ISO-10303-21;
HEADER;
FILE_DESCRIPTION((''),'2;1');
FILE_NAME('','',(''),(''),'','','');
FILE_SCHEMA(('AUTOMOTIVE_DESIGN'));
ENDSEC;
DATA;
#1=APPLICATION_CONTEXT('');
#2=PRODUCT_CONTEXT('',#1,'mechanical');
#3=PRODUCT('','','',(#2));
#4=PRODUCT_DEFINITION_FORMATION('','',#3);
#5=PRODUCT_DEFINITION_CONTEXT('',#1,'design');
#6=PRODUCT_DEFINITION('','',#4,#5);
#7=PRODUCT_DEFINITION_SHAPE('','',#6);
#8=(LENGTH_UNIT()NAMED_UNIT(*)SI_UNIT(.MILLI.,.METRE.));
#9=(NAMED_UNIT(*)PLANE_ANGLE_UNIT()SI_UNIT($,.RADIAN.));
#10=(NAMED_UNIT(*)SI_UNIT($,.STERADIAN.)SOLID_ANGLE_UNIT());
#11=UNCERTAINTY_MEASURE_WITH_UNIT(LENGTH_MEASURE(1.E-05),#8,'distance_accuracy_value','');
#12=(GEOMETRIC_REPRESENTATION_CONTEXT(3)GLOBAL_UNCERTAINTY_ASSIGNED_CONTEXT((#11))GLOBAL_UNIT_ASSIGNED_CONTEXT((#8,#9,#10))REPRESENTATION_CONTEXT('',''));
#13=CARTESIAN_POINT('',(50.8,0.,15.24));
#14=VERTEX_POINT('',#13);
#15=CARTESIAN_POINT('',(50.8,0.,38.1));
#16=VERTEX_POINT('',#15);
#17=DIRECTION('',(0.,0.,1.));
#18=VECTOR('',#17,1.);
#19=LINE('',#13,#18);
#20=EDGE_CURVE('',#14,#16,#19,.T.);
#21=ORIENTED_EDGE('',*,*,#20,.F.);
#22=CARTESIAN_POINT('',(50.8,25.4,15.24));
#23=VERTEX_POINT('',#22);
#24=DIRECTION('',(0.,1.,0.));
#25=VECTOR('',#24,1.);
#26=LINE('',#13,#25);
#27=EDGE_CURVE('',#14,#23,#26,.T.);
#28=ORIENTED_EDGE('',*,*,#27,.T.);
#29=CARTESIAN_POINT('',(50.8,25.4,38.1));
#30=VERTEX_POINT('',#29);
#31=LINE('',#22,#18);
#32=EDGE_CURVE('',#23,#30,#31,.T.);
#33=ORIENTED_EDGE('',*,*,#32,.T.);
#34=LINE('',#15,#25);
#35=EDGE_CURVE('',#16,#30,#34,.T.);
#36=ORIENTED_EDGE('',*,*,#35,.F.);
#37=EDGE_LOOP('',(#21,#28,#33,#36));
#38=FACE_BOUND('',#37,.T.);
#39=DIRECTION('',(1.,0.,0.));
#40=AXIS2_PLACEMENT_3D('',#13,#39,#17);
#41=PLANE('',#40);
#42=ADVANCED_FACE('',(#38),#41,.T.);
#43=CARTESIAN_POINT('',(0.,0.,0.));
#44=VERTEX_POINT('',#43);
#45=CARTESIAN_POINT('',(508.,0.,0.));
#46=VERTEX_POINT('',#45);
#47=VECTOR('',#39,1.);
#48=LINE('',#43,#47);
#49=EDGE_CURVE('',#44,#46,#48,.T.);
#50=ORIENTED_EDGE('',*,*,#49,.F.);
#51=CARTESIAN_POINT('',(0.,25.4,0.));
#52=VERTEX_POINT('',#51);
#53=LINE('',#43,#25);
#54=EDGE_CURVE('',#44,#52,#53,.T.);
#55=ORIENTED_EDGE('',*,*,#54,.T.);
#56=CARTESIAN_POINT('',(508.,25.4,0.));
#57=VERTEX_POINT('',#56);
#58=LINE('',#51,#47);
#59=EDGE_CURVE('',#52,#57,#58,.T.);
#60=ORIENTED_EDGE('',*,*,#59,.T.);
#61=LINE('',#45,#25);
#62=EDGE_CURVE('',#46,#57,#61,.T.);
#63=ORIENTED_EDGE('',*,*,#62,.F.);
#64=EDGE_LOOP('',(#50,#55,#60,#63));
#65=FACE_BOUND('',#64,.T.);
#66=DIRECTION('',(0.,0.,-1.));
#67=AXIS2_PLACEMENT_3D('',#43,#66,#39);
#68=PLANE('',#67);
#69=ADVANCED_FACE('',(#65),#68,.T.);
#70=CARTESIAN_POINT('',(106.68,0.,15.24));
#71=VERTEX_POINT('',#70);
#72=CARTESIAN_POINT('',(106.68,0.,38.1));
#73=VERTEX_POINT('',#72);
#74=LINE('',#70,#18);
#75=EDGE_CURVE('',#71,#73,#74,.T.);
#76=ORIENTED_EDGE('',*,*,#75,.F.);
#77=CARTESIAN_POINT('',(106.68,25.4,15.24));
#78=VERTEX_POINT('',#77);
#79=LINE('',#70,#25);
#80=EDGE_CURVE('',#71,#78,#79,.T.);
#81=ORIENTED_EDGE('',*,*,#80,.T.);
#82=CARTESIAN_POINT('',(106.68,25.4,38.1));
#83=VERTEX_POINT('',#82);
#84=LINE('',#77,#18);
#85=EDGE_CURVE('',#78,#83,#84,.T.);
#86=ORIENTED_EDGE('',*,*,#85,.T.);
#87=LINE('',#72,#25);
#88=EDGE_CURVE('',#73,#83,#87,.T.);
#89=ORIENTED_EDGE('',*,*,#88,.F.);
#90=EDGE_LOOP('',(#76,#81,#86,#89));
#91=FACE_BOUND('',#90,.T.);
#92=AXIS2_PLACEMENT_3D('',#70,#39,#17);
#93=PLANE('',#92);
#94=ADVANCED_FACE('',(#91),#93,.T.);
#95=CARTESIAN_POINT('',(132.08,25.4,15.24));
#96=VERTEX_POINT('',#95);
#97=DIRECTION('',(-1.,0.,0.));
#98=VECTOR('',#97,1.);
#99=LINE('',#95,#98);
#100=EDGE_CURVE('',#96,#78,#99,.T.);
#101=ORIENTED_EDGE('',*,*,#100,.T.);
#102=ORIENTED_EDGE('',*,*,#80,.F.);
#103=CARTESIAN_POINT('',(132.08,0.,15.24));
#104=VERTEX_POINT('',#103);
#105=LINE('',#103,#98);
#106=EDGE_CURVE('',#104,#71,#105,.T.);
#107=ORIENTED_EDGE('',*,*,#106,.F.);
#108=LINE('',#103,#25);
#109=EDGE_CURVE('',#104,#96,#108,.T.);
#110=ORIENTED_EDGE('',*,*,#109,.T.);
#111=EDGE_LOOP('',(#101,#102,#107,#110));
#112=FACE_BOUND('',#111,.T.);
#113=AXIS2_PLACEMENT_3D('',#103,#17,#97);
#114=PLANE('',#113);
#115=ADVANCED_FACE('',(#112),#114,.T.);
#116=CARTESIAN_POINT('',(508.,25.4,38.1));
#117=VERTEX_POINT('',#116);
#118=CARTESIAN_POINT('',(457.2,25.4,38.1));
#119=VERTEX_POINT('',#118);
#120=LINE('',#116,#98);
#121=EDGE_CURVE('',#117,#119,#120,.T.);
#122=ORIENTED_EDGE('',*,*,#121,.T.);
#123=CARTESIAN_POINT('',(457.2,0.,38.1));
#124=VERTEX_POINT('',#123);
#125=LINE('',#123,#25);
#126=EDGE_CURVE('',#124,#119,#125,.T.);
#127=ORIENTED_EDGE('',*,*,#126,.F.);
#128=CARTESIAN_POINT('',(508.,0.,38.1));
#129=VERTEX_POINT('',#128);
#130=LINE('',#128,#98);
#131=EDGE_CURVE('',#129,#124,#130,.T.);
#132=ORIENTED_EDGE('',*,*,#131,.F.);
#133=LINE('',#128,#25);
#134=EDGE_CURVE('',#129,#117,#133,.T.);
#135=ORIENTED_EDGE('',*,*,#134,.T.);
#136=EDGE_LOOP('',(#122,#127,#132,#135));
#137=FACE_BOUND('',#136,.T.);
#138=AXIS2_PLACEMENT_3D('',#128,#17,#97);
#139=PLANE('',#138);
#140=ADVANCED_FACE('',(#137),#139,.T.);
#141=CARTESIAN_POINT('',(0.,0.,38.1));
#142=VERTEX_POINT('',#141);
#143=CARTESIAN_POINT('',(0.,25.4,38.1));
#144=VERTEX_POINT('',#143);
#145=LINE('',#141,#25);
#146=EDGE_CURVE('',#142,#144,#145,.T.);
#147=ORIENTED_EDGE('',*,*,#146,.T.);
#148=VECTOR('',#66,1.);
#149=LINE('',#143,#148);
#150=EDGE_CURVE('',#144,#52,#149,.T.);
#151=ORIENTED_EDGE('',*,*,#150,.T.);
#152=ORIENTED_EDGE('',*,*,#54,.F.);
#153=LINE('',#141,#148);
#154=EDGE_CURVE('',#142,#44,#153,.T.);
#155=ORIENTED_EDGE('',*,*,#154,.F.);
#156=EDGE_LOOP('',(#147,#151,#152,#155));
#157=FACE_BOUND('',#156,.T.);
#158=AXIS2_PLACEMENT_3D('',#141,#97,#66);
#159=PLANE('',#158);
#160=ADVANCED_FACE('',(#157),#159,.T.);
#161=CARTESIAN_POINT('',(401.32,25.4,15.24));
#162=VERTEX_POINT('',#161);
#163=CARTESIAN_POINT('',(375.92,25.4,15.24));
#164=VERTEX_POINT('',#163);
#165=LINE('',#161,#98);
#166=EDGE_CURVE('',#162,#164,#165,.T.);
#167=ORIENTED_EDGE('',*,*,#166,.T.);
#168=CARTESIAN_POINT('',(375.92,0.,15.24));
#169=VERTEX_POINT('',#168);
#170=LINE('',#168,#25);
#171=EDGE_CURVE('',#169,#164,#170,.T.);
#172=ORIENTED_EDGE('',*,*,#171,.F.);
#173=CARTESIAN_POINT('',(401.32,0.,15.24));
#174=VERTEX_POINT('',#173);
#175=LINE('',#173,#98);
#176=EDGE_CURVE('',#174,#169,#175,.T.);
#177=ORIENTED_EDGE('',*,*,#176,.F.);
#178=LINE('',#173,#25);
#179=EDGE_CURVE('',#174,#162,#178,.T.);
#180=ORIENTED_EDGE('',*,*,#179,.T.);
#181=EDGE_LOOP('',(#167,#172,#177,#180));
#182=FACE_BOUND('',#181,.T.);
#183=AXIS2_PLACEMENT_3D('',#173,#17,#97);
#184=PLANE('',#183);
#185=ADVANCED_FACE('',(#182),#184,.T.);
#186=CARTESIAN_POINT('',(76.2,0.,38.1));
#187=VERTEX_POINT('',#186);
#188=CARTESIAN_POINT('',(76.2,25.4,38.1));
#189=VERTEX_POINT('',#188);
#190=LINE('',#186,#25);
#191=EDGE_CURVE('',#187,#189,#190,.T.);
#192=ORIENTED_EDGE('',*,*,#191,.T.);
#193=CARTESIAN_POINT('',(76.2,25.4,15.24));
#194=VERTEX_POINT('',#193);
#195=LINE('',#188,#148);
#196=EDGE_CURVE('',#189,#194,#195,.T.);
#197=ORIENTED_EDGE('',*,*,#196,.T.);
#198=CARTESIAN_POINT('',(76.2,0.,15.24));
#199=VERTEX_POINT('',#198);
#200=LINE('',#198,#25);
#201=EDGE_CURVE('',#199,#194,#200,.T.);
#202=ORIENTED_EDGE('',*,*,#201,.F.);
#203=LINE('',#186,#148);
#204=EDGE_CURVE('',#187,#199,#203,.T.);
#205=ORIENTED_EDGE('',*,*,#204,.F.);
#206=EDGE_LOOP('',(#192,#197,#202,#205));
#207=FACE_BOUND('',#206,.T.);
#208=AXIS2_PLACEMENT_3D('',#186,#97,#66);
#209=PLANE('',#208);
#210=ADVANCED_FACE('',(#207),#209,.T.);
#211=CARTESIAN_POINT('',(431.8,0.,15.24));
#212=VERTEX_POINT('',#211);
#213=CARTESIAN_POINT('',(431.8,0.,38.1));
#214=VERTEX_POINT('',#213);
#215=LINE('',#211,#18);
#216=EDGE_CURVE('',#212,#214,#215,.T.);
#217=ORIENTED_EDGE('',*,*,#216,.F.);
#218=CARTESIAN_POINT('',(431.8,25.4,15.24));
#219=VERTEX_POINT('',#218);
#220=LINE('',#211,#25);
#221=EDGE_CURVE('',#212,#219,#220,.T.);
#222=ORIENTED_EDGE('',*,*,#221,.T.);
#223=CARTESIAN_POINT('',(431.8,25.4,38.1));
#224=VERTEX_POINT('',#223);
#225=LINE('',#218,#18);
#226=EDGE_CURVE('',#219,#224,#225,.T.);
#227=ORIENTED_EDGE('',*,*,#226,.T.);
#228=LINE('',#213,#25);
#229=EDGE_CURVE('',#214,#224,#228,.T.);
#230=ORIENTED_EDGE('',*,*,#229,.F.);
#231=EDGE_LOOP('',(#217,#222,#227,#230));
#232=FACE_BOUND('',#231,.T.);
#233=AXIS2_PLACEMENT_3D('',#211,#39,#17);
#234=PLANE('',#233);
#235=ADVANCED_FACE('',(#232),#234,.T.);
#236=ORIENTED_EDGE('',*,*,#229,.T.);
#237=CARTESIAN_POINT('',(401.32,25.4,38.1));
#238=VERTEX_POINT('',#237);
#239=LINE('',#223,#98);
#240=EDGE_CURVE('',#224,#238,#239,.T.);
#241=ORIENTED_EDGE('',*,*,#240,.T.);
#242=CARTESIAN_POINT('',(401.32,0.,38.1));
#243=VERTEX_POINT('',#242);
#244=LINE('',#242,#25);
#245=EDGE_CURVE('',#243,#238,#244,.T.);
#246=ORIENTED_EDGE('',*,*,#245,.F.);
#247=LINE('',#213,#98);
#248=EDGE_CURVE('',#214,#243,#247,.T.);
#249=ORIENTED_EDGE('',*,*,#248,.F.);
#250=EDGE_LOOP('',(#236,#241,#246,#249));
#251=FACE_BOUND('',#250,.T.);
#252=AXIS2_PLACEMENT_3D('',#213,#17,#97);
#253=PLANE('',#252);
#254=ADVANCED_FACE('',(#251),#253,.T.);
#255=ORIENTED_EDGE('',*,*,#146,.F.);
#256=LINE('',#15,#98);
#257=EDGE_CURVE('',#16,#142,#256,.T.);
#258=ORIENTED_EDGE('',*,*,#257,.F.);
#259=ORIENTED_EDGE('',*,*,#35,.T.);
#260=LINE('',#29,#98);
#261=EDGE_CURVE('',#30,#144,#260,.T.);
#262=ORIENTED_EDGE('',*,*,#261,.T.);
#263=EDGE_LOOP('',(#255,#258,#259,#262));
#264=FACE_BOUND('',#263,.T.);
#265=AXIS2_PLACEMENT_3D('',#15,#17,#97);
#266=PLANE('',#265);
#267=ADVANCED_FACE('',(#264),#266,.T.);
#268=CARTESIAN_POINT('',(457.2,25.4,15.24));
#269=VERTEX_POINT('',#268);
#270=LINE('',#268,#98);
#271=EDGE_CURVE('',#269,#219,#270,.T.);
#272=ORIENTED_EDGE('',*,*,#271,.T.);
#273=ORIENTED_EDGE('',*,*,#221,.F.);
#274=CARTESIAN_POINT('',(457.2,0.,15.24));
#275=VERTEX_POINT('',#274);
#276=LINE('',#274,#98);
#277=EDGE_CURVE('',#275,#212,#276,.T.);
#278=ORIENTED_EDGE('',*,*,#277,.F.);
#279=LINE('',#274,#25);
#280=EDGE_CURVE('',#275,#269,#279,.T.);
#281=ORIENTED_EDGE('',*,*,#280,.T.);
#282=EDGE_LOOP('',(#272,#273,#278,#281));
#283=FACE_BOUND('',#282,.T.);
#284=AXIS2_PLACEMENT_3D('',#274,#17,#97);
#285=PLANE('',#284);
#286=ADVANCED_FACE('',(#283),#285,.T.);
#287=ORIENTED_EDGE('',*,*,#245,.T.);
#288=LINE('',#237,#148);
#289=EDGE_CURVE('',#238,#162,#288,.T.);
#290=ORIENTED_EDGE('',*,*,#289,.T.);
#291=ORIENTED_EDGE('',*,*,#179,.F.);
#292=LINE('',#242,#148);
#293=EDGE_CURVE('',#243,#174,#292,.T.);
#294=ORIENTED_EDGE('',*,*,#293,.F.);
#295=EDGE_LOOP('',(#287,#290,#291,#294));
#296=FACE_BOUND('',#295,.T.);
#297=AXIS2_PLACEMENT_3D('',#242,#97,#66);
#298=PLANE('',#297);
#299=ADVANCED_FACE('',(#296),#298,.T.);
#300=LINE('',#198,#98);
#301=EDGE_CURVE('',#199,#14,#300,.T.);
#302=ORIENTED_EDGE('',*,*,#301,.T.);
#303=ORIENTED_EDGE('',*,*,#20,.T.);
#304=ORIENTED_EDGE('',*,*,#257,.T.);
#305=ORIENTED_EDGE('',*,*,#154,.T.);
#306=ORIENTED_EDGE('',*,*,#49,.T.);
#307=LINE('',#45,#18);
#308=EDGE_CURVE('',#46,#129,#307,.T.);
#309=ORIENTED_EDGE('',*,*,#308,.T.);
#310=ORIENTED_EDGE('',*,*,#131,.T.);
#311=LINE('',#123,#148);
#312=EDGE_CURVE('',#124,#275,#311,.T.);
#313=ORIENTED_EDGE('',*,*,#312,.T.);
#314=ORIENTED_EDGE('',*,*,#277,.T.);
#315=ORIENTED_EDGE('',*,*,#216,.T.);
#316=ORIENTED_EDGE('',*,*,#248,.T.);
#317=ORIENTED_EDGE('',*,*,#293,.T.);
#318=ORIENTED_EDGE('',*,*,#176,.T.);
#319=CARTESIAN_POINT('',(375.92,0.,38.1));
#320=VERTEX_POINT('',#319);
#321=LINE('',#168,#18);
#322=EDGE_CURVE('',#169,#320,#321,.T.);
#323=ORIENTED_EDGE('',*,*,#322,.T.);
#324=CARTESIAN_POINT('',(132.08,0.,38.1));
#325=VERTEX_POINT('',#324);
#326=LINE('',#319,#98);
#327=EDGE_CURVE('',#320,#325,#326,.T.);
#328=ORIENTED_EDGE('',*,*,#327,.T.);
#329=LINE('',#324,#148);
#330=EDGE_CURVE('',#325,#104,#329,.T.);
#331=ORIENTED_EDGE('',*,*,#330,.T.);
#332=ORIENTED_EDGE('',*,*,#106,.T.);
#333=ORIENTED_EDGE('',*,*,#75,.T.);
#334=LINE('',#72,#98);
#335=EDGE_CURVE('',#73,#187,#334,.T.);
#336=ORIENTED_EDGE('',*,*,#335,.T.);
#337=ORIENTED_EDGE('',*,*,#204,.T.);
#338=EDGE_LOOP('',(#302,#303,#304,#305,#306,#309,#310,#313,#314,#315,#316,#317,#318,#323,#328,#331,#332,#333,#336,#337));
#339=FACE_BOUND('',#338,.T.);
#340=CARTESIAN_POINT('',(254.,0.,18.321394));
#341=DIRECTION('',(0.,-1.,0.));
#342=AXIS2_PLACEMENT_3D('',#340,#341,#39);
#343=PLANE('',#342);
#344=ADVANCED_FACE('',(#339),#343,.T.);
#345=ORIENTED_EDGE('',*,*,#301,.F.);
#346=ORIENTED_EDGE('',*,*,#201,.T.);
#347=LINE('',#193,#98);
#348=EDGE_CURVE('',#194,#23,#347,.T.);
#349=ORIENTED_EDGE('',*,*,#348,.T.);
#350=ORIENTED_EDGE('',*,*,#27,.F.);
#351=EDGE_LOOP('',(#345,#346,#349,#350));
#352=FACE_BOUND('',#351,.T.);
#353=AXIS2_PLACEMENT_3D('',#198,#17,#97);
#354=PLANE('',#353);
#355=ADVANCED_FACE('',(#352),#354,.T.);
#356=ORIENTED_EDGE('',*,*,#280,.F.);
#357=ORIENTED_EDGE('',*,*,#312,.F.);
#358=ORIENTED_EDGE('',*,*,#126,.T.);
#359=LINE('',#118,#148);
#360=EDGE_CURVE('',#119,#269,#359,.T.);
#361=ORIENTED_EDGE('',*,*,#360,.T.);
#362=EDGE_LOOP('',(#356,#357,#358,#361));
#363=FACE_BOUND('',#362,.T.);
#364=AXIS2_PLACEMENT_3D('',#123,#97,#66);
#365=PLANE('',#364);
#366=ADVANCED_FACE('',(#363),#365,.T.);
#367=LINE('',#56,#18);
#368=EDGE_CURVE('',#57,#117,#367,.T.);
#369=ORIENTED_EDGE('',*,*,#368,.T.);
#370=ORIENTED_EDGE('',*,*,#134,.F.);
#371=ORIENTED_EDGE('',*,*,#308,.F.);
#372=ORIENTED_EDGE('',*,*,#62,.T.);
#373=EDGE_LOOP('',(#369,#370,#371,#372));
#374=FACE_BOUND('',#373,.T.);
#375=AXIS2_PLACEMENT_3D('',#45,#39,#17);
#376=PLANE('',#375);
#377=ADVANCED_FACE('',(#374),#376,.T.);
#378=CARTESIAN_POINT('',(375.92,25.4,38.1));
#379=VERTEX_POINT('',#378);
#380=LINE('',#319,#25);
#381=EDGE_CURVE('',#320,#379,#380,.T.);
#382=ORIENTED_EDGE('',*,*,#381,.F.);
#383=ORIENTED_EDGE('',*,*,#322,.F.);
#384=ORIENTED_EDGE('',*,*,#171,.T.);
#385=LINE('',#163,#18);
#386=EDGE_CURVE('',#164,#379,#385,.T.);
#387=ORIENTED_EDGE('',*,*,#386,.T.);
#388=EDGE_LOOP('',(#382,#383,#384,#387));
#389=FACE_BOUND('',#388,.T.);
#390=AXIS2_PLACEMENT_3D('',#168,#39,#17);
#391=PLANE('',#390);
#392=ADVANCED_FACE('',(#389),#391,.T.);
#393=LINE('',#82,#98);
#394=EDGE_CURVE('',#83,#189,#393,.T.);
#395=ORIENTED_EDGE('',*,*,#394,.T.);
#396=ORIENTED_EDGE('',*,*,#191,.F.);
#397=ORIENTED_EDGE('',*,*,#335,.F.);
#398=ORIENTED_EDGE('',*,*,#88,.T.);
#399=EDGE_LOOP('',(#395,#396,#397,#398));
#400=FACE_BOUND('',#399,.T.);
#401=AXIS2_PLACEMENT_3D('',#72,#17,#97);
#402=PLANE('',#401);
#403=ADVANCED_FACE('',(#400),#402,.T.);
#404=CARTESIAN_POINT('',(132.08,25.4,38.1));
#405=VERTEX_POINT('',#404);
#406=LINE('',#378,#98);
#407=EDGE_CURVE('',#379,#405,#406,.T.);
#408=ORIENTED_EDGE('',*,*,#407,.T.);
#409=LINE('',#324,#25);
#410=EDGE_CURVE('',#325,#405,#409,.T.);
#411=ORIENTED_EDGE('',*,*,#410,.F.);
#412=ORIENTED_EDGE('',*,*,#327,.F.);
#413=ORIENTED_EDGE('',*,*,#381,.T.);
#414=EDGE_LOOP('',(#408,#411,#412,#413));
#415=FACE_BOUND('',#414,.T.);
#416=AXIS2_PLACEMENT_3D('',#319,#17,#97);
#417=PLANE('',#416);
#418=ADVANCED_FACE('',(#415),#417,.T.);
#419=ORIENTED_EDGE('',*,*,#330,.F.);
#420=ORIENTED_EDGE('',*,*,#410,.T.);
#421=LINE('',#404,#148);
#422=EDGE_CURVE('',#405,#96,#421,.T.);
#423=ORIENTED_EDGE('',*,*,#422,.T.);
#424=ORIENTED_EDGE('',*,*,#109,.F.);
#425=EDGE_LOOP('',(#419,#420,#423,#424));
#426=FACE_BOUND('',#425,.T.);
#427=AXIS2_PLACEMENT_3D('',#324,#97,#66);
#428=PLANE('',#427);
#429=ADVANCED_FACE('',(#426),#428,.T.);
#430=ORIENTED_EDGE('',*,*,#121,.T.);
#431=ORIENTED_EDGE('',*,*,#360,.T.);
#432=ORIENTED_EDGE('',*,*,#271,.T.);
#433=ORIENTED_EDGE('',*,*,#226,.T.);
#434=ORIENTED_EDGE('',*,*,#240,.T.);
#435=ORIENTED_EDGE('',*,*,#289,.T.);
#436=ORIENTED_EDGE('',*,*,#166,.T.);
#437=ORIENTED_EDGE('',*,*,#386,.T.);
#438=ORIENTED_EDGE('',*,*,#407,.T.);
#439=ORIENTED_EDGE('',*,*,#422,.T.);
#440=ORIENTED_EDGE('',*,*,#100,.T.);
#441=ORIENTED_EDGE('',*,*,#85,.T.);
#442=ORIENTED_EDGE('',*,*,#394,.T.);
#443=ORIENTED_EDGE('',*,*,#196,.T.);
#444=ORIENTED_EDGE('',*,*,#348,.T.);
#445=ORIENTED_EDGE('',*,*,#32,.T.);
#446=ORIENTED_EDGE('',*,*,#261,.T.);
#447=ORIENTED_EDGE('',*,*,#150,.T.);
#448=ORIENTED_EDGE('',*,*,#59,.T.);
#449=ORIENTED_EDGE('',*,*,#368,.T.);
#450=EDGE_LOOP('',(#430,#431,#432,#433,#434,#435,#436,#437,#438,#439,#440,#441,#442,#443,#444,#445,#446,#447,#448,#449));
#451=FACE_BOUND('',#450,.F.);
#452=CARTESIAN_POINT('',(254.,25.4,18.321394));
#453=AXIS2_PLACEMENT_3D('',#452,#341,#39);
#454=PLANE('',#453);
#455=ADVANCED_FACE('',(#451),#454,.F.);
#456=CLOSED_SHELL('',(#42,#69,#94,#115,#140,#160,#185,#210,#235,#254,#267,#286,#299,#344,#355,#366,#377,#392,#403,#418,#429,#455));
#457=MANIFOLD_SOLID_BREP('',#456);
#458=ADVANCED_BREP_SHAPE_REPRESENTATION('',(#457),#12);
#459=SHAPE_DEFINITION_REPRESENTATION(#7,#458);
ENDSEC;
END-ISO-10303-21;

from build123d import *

# Parameters (mm, degrees)
F1_DEPTH = 25.4


with BuildPart() as f1:
    # F0 (on Front) → F1 (new body)
    with BuildSketch(Plane.XZ):
        Polygon((0, 38.1), (0, 0), (508, 0), (508, 38.1), (457.2, 38.1), (457.2, 15.24), (431.8, 15.24), (431.8, 38.1), (401.32, 38.1), (401.32, 15.24), (375.92, 15.24), (375.92, 38.1), (132.08, 38.1), (132.08, 15.24), (106.68, 15.24), (106.68, 38.1), (76.2, 38.1), (76.2, 15.24), (50.8, 15.24), (50.8, 38.1), align=None)
    extrude(amount=-F1_DEPTH)


solid = f1.part
